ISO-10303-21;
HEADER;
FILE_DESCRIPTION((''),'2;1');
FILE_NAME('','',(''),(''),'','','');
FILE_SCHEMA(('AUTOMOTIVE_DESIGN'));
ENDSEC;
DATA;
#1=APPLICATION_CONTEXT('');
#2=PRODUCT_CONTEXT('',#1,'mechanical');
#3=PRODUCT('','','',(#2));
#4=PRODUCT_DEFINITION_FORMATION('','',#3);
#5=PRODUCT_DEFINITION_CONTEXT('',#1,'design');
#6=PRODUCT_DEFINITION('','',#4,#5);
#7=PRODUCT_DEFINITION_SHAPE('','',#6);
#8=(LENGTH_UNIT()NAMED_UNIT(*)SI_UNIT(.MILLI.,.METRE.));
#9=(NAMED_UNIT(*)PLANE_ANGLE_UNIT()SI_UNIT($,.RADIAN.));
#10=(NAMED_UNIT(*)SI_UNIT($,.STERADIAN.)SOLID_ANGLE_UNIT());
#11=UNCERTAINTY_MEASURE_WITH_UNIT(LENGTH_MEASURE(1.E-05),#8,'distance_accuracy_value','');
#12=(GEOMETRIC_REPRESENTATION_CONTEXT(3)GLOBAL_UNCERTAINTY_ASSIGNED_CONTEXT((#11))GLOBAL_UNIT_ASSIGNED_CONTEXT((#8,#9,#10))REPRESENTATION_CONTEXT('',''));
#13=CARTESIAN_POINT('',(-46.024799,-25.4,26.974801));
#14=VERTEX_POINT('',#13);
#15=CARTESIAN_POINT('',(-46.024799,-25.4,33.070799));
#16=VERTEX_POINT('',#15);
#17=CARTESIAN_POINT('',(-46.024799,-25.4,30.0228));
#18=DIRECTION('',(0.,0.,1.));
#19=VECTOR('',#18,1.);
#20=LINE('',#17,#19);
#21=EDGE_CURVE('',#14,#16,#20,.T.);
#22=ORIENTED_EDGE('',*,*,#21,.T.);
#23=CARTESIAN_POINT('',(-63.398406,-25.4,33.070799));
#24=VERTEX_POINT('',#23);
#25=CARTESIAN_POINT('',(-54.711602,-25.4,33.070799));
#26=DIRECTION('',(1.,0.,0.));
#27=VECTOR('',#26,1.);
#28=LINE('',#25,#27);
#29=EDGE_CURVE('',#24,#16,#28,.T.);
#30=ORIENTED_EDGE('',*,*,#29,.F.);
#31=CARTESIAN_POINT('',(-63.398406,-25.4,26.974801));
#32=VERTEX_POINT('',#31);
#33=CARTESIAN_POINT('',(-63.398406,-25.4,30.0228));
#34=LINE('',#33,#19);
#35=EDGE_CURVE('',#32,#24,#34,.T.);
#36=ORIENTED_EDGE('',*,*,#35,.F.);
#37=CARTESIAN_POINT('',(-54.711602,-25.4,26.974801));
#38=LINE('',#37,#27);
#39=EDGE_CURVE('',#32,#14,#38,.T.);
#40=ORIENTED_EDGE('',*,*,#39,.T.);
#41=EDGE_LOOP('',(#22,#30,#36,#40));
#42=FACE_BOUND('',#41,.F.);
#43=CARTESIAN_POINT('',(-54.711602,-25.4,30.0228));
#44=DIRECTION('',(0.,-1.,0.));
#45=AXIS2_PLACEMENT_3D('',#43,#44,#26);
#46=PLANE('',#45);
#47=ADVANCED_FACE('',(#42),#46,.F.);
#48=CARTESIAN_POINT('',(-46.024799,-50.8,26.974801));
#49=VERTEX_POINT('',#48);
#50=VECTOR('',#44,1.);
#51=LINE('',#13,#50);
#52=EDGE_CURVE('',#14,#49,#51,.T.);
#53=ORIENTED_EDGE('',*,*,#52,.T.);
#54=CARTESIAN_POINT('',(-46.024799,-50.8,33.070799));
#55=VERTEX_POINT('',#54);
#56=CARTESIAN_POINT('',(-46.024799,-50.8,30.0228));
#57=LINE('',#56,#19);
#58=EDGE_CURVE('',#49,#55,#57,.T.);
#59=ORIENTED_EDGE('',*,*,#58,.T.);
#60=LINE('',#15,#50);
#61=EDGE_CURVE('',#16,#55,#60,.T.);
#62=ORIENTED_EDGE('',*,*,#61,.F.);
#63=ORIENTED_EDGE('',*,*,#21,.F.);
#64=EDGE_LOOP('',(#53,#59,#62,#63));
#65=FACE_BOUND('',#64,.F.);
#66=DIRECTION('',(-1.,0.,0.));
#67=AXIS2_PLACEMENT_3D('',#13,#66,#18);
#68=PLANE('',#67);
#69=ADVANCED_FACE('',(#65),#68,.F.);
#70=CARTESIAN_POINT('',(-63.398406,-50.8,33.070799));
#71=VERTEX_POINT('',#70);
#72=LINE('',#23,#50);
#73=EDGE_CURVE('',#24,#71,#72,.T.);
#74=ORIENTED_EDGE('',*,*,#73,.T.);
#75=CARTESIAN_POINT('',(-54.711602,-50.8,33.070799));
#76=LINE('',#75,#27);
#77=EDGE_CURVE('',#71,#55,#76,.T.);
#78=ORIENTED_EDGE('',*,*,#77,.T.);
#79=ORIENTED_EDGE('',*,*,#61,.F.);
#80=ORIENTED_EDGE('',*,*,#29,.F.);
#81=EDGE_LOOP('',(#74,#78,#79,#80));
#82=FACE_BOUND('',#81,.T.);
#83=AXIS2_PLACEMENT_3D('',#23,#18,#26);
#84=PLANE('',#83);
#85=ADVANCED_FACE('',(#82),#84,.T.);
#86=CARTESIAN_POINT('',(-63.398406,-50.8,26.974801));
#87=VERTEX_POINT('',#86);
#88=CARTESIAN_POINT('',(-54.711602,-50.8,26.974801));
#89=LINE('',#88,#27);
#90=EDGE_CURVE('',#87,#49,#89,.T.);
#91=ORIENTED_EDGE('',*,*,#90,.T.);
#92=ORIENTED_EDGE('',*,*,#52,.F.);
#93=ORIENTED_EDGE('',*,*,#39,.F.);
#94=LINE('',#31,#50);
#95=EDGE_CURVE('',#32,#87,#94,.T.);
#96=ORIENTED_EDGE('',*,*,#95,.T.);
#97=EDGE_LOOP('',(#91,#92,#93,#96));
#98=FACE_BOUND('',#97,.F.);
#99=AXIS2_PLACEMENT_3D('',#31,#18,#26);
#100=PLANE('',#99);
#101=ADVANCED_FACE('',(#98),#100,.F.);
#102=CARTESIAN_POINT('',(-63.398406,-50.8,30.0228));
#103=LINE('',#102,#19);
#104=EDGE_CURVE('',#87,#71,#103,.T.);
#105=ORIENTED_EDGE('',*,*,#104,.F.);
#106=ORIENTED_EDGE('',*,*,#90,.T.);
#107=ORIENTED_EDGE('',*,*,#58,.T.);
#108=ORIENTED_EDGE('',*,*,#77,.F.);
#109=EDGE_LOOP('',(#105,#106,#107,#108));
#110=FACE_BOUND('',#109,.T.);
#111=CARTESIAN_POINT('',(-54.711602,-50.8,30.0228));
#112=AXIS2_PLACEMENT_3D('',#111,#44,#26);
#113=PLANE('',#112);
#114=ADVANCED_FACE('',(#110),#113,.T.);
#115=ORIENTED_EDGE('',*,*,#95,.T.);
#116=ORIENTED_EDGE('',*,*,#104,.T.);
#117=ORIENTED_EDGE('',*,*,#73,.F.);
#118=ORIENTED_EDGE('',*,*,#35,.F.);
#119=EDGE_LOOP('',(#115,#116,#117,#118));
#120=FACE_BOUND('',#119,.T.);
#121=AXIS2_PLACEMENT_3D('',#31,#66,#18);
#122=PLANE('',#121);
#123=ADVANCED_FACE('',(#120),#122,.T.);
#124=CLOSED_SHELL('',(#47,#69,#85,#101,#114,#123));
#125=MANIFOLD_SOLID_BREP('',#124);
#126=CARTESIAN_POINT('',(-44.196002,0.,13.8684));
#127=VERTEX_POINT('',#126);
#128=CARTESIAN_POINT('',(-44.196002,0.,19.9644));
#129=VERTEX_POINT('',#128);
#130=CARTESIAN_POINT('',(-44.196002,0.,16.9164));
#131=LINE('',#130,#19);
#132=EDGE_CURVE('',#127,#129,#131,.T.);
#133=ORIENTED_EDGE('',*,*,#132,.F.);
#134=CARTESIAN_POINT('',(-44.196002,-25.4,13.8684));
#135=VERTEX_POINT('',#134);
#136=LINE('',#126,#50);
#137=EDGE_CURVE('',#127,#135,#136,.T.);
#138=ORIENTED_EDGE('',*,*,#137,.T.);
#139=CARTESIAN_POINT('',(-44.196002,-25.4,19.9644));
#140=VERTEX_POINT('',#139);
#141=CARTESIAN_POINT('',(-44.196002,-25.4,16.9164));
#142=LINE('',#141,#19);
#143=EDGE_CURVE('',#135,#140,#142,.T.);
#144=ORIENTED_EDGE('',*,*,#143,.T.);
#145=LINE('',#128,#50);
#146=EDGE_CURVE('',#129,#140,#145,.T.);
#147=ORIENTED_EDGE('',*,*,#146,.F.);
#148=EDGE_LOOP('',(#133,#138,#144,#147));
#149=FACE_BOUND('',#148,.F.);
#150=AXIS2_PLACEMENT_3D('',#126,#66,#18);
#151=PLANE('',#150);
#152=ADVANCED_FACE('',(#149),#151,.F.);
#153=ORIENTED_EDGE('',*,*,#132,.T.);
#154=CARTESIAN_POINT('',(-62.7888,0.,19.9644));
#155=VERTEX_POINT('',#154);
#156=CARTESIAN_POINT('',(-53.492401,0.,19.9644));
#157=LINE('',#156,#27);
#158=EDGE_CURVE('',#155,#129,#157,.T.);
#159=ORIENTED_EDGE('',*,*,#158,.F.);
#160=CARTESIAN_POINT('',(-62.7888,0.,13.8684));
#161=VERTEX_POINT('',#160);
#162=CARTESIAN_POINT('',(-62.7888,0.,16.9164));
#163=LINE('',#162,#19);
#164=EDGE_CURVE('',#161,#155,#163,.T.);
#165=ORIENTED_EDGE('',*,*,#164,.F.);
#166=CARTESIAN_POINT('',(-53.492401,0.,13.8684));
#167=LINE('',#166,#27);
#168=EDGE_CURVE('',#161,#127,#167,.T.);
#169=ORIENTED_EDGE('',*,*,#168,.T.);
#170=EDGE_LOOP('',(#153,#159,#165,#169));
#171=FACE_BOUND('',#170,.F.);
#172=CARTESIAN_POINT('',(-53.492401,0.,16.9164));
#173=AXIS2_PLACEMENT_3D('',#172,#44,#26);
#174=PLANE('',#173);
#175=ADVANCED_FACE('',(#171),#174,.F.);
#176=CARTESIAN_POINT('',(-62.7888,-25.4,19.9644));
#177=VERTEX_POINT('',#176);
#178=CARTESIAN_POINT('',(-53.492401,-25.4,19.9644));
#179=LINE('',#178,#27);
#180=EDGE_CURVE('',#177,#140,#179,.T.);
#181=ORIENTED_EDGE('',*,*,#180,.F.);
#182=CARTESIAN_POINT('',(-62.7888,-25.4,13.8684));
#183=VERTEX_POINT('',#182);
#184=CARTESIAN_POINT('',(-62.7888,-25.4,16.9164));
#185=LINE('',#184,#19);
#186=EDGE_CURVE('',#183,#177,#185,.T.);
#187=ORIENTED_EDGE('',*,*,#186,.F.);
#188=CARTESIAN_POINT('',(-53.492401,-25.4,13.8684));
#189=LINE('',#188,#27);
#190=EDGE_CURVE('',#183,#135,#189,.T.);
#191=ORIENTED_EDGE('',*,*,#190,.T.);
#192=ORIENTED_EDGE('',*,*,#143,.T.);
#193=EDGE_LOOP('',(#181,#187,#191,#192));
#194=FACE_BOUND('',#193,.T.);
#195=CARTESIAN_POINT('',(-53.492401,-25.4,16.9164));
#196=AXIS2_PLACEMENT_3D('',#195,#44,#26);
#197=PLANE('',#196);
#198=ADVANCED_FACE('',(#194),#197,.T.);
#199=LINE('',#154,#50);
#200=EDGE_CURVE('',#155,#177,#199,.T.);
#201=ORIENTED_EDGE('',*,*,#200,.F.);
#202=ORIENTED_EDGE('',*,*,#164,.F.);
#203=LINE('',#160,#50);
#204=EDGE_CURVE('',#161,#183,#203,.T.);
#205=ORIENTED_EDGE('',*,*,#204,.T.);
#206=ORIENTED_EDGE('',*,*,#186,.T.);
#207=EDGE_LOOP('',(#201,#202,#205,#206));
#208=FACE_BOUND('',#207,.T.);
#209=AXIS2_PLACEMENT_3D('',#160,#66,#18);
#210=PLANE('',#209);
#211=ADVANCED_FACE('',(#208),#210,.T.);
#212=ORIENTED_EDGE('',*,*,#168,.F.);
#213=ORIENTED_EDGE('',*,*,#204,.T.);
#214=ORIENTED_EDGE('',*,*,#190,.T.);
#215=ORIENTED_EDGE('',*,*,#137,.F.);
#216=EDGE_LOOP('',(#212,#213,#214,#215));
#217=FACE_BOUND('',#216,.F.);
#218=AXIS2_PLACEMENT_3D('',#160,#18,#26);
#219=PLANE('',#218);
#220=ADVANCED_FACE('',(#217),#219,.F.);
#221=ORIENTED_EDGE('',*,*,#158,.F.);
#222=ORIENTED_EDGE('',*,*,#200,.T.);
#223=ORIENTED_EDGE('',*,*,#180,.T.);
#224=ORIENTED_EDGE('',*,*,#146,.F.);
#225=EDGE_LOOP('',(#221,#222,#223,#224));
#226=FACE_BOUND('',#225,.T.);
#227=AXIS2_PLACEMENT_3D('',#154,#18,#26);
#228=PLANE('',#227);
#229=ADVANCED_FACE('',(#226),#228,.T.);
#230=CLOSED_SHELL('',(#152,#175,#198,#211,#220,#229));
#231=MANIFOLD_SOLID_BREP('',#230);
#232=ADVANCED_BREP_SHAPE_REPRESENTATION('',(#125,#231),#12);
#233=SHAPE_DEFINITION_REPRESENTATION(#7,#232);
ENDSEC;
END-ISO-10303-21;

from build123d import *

# Parameters (mm, degrees)
F0_W     = 18.592797
F0_H     = 6.096001
F1_DEPTH = 25.4
F2_W     = 17.373607
F2_H     = 6.095998
F3_DEPTH = 25.4


with BuildPart() as f1:
    # F0 (on Front) → F1 (new body)
    with BuildSketch(Plane.XZ):
        with Locations((-53.492401, 16.9164)):
            Rectangle(F0_W, F0_H)
    extrude(amount=F1_DEPTH)


with BuildPart() as f3:
    # F2 (on face) → F3 (new body)
    with BuildSketch(Plane.XZ.offset(25.4)):
        with Locations((-54.711602, 30.0228)):
            Rectangle(F2_W, F2_H)
    extrude(amount=F3_DEPTH)


solid = Compound([f1.part, f3.part])
